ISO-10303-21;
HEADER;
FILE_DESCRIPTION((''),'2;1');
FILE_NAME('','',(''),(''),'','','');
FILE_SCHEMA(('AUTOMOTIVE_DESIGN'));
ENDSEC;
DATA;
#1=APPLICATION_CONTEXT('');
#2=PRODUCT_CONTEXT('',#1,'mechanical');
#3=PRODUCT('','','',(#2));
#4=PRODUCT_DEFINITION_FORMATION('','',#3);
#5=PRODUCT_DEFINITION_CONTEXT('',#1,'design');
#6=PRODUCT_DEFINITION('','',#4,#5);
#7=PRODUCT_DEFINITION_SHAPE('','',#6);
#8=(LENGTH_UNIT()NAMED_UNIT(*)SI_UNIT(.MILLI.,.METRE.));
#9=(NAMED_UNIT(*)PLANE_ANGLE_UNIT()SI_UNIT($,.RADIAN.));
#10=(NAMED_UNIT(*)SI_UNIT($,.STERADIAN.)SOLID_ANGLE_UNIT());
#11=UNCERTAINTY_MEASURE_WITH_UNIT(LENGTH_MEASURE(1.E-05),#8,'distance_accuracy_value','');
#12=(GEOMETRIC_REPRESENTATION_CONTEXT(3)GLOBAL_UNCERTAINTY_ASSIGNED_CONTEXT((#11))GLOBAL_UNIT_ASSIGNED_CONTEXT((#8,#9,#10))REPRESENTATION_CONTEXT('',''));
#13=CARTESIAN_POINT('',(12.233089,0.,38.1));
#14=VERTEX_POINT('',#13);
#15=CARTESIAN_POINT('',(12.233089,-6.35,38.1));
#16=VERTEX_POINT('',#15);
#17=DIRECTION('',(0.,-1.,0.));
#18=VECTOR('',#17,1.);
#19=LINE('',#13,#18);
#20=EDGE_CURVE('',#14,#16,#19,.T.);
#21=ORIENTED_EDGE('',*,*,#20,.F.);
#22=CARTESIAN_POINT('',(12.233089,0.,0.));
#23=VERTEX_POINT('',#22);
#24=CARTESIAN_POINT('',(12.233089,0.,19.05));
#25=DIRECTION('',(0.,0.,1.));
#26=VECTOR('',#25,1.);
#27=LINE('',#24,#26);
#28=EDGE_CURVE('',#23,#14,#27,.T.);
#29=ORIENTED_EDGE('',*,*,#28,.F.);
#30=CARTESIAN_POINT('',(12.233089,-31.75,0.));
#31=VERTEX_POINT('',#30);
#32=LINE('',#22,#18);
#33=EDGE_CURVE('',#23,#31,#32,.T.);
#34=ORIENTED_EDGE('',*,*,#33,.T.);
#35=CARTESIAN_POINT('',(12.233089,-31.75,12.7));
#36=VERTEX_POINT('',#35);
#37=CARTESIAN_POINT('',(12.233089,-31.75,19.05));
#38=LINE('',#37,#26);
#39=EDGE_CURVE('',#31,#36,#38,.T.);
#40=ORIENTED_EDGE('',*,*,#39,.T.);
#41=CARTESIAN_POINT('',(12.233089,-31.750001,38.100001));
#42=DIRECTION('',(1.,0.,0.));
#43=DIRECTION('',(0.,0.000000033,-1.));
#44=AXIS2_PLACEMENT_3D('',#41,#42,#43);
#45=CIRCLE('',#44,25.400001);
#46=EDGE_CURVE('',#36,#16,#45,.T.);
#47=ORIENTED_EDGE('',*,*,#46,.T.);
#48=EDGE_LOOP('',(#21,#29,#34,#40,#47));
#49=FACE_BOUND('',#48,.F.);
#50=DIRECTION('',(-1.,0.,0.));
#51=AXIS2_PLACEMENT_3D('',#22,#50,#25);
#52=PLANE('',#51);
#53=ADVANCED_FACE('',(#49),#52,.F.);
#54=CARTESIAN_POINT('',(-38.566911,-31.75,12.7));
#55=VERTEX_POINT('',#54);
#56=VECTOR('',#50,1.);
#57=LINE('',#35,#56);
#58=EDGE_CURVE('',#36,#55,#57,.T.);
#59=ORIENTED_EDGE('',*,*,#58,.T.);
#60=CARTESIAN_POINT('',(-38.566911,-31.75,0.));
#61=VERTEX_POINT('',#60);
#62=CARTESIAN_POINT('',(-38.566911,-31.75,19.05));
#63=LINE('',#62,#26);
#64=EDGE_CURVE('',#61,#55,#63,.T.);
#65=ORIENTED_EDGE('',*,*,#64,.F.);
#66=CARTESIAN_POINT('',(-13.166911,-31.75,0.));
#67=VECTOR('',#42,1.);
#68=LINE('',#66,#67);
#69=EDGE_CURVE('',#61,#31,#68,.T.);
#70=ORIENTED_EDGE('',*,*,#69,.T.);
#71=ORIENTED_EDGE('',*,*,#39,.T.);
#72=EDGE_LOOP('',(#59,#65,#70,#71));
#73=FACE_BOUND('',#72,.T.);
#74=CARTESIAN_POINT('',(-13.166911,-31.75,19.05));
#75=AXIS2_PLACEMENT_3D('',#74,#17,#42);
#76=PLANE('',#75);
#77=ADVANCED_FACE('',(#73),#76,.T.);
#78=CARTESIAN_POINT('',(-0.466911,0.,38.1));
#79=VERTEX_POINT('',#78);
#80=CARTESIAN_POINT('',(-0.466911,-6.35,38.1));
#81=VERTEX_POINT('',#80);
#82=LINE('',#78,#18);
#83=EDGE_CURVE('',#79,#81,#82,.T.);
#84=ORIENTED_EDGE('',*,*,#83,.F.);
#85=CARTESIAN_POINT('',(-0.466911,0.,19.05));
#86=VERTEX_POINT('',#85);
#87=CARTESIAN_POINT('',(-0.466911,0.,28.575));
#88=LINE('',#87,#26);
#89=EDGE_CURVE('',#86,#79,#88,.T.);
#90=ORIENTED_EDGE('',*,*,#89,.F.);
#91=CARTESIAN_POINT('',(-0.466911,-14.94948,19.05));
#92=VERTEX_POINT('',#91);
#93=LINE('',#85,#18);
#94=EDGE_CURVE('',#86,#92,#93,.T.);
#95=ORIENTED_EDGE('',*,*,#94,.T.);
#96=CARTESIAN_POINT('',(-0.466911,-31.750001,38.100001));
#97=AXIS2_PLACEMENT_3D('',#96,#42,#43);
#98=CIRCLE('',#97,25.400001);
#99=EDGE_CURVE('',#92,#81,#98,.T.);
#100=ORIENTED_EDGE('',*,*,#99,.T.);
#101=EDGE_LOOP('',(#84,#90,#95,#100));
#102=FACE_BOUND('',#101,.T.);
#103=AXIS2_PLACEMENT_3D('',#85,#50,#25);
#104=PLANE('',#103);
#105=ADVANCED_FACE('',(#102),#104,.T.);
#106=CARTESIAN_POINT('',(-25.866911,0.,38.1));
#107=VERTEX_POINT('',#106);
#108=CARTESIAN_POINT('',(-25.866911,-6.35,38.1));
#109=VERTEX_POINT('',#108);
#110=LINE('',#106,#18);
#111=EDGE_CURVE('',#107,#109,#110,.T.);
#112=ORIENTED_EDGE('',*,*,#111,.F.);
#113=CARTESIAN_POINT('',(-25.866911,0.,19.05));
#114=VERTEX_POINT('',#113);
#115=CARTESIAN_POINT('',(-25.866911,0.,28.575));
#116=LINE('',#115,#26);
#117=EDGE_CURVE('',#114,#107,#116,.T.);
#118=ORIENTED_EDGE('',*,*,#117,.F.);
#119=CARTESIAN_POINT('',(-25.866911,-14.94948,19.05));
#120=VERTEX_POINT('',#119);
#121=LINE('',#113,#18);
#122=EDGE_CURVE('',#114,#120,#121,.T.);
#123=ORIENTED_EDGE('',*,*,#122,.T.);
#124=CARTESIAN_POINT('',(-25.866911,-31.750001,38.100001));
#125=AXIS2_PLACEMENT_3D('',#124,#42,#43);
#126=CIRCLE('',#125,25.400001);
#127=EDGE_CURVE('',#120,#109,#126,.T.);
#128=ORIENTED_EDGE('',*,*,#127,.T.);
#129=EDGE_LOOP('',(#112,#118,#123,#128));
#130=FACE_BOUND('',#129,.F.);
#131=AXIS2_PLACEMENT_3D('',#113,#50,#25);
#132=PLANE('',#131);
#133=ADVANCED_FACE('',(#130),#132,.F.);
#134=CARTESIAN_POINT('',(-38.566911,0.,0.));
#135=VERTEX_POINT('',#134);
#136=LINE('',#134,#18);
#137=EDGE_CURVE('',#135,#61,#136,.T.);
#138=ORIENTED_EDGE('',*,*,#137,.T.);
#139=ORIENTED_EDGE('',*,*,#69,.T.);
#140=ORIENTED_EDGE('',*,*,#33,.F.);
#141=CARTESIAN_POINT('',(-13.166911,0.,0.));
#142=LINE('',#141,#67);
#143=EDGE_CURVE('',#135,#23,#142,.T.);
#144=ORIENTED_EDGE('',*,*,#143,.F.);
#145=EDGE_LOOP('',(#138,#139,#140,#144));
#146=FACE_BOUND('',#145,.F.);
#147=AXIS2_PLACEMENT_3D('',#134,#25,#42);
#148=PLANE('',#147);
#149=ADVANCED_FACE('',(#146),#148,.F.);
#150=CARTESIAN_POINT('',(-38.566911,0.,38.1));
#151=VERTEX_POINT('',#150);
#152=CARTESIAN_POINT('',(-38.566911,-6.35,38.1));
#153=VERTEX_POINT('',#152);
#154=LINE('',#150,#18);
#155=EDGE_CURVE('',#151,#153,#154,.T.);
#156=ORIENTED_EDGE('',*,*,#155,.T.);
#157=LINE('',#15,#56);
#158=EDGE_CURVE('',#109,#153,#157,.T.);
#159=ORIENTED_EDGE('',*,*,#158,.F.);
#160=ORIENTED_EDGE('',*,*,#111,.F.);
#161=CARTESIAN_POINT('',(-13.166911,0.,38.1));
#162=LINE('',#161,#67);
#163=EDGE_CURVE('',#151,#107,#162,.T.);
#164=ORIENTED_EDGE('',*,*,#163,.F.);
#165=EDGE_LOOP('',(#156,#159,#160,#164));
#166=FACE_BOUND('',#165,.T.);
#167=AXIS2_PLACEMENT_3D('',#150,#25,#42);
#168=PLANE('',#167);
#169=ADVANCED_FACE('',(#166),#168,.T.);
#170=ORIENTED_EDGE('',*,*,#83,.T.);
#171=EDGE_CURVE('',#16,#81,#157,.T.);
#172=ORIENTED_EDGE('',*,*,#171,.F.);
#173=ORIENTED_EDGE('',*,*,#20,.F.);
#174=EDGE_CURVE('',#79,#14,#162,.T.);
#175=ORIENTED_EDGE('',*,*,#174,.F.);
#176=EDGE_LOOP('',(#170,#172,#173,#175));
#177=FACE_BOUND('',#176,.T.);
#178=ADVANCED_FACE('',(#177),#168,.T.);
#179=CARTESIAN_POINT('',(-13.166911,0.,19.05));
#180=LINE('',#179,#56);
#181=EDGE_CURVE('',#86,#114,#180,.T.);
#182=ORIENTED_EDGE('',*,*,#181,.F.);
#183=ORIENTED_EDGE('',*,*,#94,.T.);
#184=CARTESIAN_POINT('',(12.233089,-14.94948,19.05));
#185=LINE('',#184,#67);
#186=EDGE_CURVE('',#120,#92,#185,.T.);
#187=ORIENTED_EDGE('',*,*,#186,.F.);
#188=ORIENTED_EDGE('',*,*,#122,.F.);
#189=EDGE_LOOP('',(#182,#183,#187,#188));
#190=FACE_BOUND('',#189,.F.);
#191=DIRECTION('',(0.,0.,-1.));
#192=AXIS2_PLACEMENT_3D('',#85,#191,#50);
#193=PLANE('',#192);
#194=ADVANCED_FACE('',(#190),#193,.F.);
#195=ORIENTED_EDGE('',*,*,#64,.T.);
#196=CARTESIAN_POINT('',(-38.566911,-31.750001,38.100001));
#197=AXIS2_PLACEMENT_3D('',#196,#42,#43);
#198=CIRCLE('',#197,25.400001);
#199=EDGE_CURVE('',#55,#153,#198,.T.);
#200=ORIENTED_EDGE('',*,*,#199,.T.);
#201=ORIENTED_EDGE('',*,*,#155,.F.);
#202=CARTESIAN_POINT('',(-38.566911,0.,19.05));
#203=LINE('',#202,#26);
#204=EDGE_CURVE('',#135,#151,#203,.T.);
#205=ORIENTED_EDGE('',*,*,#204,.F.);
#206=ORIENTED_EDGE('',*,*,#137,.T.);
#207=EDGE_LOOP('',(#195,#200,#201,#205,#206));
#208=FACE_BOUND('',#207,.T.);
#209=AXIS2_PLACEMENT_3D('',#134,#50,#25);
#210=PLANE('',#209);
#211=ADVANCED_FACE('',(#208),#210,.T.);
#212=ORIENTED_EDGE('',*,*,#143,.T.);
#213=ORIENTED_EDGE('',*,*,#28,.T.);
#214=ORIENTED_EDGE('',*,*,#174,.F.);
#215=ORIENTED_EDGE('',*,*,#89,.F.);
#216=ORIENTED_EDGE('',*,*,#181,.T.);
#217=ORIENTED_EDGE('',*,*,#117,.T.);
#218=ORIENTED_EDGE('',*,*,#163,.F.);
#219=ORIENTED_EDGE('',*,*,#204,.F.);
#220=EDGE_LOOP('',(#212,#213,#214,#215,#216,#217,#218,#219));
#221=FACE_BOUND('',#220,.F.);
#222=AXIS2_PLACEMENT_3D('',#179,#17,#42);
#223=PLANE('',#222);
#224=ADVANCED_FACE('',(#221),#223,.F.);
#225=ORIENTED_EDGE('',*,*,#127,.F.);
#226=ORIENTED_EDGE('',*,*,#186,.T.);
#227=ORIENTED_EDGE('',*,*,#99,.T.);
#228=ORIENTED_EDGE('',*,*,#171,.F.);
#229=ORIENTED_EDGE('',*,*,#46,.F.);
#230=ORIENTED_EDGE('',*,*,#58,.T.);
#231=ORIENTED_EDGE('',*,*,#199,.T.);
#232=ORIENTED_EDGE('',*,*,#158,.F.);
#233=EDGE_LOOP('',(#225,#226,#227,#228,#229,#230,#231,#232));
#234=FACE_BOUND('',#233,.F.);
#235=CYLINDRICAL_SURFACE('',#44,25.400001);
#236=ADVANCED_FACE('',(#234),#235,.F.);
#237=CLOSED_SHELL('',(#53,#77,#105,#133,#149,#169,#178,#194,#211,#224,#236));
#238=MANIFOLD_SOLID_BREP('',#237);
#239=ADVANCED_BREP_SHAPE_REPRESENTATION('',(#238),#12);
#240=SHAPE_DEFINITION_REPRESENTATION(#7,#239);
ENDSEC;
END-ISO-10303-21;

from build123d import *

# Parameters (mm, degrees)
F0_W     = 50.8
F0_H     = 38.1
F1_DEPTH = 31.75
F3_DEPTH = 50.801
F4_W     = 25.4
F4_H     = 19.05
F5_DEPTH = 31.751


with BuildPart() as f1:
    # F0 (on Front) → F1 (new body)
    with BuildSketch(Plane.XZ):
        with Locations((-13.166911, 19.05)):
            Rectangle(F0_W, F0_H)
    extrude(amount=F1_DEPTH)

    # F2 (on face) → F3 (cut, through all)
    with BuildSketch(Plane.YZ.offset(12.233089)):
        with BuildLine():
            ThreePointArc((-31.75, 12.7), (-13.789488, 20.139488), (-6.35, 38.1))
            Line((-6.35, 38.1), (-31.75, 38.1))
            Line((-31.75, 38.1), (-31.75, 12.7))
        make_face()
    extrude(amount=-F3_DEPTH, mode=Mode.SUBTRACT)

    # F4 (on face) → F5 (cut, through all)
    with BuildSketch(Plane(origin=(0, 0, 0), x_dir=(-1, 0, 0), z_dir=(0, 1, 0))):
        with Locations((13.166911, 28.575)):
            Rectangle(F4_W, F4_H)
    extrude(amount=-F5_DEPTH, mode=Mode.SUBTRACT)


solid = f1.part
